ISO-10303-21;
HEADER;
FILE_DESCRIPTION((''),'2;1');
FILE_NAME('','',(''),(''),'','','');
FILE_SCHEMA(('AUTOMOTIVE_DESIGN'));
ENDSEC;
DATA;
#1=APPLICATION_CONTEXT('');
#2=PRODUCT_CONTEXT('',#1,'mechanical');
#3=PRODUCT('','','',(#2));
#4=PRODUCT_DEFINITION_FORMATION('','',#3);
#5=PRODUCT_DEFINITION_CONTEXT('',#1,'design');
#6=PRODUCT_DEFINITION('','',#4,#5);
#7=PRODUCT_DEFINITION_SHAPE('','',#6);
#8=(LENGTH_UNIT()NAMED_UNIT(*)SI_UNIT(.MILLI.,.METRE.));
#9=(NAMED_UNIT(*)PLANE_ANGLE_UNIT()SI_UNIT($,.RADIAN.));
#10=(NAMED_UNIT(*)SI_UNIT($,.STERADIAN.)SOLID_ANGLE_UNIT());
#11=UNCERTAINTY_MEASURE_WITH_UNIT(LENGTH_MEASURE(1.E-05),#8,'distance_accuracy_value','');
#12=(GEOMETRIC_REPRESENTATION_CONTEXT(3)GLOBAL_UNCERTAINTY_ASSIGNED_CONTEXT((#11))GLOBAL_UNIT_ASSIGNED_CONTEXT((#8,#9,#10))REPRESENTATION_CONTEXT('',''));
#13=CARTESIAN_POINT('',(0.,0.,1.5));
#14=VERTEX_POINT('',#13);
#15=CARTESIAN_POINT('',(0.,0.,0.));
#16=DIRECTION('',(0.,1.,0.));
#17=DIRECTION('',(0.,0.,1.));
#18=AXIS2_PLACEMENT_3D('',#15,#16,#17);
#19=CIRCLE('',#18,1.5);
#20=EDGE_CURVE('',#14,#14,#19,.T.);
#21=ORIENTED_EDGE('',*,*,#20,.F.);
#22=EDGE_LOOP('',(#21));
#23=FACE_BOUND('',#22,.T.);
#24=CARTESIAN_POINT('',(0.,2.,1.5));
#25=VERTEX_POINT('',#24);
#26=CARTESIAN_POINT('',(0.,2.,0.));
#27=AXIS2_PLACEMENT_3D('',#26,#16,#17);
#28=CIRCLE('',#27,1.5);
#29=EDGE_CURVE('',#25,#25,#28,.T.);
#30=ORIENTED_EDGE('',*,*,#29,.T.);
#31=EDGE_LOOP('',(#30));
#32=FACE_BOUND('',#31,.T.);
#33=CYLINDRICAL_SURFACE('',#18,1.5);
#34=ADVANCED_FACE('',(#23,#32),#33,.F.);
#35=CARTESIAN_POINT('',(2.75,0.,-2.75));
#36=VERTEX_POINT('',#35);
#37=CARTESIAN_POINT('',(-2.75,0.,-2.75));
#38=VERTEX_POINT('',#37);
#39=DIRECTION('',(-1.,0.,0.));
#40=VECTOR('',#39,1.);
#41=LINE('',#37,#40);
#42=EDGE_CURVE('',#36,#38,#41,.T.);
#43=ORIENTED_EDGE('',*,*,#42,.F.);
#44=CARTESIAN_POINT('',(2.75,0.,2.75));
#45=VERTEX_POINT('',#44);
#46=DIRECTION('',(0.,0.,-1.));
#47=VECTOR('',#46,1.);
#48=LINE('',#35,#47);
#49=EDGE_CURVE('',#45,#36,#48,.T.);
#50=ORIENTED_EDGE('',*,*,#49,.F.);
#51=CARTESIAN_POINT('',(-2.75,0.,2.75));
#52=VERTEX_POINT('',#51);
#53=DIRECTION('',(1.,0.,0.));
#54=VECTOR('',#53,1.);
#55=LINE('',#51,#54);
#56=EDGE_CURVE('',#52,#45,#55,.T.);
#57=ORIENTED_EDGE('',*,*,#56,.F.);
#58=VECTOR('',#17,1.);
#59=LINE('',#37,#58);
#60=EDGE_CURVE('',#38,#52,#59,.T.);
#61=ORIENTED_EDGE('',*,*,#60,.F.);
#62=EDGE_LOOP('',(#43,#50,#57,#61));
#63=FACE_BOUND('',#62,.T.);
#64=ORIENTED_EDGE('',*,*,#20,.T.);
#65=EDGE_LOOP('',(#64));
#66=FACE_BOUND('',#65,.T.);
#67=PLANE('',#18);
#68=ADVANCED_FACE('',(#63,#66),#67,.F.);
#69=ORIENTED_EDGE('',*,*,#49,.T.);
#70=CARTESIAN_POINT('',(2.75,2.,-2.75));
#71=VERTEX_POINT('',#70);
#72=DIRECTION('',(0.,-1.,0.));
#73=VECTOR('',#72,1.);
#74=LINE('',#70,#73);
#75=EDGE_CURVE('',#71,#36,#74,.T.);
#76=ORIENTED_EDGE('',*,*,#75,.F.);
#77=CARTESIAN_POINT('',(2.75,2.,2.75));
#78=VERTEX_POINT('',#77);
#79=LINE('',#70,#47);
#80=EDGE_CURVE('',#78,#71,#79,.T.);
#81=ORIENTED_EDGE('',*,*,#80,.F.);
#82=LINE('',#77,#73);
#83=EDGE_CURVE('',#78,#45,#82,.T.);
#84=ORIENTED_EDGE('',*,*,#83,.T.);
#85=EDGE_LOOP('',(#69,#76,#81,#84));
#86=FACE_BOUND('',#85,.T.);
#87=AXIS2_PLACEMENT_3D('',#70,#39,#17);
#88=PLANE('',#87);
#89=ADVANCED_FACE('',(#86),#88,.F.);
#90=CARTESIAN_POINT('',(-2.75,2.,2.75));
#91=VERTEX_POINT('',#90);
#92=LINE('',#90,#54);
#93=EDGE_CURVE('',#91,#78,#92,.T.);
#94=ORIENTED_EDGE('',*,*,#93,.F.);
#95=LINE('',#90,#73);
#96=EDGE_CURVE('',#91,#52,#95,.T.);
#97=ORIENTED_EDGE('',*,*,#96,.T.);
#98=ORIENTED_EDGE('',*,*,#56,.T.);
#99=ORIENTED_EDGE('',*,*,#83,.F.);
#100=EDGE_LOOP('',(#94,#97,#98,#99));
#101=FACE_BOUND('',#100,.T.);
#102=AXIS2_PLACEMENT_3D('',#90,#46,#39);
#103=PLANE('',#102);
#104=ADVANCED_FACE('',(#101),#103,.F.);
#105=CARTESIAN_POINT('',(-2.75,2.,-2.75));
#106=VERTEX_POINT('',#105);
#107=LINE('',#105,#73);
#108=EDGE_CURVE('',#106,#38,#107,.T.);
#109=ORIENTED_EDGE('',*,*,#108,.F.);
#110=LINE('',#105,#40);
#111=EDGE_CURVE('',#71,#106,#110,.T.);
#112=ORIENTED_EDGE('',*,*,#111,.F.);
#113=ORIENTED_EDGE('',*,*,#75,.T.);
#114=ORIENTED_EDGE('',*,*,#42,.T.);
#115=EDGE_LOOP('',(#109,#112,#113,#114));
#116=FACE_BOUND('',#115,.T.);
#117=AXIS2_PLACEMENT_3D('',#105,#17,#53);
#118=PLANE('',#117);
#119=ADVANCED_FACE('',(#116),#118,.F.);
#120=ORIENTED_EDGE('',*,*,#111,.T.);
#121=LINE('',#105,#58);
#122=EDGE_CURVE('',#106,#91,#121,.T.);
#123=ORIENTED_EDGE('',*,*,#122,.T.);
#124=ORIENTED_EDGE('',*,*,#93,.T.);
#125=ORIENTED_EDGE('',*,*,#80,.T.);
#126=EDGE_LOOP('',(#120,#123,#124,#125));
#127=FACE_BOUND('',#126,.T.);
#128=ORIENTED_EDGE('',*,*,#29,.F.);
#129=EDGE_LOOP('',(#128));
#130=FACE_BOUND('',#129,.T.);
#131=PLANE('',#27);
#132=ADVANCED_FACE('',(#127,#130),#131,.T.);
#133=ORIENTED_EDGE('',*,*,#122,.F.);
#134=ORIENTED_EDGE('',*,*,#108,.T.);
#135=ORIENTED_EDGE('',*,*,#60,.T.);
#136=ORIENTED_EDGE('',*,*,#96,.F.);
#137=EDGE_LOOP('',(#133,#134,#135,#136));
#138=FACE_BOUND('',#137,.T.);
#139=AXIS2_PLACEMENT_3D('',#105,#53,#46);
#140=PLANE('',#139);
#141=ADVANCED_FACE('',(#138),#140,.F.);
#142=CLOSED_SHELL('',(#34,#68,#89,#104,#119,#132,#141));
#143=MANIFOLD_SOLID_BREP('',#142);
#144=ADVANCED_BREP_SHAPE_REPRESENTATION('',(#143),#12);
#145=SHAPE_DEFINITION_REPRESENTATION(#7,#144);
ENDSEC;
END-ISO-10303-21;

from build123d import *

# Parameters (mm, degrees)
SKETCH_1_W          = 5.5
SKETCH_1_H          = 5.5
EXTRUDE_1_DEPTH     = 2
SKETCH_2_R          = 1.5
CUT_EXTRUDE_1_DEPTH = 3


with BuildPart() as part:
    # 草图1 → 凸台-拉伸1 (new body)
    with BuildSketch(Plane(origin=(0, 0, 0), x_dir=(1, 0, 0), z_dir=(0, 1, 0))):
        Rectangle(SKETCH_1_W, SKETCH_1_H)
    extrude(amount=EXTRUDE_1_DEPTH)

    # 草图2 → 切除-拉伸1 (cut, through all)
    with BuildSketch(Plane(origin=(0, 2, 0), x_dir=(1, 0, 0), z_dir=(0, 1, 0))):
        Circle(SKETCH_2_R)
    extrude(amount=-CUT_EXTRUDE_1_DEPTH, mode=Mode.SUBTRACT)


solid = part.part
